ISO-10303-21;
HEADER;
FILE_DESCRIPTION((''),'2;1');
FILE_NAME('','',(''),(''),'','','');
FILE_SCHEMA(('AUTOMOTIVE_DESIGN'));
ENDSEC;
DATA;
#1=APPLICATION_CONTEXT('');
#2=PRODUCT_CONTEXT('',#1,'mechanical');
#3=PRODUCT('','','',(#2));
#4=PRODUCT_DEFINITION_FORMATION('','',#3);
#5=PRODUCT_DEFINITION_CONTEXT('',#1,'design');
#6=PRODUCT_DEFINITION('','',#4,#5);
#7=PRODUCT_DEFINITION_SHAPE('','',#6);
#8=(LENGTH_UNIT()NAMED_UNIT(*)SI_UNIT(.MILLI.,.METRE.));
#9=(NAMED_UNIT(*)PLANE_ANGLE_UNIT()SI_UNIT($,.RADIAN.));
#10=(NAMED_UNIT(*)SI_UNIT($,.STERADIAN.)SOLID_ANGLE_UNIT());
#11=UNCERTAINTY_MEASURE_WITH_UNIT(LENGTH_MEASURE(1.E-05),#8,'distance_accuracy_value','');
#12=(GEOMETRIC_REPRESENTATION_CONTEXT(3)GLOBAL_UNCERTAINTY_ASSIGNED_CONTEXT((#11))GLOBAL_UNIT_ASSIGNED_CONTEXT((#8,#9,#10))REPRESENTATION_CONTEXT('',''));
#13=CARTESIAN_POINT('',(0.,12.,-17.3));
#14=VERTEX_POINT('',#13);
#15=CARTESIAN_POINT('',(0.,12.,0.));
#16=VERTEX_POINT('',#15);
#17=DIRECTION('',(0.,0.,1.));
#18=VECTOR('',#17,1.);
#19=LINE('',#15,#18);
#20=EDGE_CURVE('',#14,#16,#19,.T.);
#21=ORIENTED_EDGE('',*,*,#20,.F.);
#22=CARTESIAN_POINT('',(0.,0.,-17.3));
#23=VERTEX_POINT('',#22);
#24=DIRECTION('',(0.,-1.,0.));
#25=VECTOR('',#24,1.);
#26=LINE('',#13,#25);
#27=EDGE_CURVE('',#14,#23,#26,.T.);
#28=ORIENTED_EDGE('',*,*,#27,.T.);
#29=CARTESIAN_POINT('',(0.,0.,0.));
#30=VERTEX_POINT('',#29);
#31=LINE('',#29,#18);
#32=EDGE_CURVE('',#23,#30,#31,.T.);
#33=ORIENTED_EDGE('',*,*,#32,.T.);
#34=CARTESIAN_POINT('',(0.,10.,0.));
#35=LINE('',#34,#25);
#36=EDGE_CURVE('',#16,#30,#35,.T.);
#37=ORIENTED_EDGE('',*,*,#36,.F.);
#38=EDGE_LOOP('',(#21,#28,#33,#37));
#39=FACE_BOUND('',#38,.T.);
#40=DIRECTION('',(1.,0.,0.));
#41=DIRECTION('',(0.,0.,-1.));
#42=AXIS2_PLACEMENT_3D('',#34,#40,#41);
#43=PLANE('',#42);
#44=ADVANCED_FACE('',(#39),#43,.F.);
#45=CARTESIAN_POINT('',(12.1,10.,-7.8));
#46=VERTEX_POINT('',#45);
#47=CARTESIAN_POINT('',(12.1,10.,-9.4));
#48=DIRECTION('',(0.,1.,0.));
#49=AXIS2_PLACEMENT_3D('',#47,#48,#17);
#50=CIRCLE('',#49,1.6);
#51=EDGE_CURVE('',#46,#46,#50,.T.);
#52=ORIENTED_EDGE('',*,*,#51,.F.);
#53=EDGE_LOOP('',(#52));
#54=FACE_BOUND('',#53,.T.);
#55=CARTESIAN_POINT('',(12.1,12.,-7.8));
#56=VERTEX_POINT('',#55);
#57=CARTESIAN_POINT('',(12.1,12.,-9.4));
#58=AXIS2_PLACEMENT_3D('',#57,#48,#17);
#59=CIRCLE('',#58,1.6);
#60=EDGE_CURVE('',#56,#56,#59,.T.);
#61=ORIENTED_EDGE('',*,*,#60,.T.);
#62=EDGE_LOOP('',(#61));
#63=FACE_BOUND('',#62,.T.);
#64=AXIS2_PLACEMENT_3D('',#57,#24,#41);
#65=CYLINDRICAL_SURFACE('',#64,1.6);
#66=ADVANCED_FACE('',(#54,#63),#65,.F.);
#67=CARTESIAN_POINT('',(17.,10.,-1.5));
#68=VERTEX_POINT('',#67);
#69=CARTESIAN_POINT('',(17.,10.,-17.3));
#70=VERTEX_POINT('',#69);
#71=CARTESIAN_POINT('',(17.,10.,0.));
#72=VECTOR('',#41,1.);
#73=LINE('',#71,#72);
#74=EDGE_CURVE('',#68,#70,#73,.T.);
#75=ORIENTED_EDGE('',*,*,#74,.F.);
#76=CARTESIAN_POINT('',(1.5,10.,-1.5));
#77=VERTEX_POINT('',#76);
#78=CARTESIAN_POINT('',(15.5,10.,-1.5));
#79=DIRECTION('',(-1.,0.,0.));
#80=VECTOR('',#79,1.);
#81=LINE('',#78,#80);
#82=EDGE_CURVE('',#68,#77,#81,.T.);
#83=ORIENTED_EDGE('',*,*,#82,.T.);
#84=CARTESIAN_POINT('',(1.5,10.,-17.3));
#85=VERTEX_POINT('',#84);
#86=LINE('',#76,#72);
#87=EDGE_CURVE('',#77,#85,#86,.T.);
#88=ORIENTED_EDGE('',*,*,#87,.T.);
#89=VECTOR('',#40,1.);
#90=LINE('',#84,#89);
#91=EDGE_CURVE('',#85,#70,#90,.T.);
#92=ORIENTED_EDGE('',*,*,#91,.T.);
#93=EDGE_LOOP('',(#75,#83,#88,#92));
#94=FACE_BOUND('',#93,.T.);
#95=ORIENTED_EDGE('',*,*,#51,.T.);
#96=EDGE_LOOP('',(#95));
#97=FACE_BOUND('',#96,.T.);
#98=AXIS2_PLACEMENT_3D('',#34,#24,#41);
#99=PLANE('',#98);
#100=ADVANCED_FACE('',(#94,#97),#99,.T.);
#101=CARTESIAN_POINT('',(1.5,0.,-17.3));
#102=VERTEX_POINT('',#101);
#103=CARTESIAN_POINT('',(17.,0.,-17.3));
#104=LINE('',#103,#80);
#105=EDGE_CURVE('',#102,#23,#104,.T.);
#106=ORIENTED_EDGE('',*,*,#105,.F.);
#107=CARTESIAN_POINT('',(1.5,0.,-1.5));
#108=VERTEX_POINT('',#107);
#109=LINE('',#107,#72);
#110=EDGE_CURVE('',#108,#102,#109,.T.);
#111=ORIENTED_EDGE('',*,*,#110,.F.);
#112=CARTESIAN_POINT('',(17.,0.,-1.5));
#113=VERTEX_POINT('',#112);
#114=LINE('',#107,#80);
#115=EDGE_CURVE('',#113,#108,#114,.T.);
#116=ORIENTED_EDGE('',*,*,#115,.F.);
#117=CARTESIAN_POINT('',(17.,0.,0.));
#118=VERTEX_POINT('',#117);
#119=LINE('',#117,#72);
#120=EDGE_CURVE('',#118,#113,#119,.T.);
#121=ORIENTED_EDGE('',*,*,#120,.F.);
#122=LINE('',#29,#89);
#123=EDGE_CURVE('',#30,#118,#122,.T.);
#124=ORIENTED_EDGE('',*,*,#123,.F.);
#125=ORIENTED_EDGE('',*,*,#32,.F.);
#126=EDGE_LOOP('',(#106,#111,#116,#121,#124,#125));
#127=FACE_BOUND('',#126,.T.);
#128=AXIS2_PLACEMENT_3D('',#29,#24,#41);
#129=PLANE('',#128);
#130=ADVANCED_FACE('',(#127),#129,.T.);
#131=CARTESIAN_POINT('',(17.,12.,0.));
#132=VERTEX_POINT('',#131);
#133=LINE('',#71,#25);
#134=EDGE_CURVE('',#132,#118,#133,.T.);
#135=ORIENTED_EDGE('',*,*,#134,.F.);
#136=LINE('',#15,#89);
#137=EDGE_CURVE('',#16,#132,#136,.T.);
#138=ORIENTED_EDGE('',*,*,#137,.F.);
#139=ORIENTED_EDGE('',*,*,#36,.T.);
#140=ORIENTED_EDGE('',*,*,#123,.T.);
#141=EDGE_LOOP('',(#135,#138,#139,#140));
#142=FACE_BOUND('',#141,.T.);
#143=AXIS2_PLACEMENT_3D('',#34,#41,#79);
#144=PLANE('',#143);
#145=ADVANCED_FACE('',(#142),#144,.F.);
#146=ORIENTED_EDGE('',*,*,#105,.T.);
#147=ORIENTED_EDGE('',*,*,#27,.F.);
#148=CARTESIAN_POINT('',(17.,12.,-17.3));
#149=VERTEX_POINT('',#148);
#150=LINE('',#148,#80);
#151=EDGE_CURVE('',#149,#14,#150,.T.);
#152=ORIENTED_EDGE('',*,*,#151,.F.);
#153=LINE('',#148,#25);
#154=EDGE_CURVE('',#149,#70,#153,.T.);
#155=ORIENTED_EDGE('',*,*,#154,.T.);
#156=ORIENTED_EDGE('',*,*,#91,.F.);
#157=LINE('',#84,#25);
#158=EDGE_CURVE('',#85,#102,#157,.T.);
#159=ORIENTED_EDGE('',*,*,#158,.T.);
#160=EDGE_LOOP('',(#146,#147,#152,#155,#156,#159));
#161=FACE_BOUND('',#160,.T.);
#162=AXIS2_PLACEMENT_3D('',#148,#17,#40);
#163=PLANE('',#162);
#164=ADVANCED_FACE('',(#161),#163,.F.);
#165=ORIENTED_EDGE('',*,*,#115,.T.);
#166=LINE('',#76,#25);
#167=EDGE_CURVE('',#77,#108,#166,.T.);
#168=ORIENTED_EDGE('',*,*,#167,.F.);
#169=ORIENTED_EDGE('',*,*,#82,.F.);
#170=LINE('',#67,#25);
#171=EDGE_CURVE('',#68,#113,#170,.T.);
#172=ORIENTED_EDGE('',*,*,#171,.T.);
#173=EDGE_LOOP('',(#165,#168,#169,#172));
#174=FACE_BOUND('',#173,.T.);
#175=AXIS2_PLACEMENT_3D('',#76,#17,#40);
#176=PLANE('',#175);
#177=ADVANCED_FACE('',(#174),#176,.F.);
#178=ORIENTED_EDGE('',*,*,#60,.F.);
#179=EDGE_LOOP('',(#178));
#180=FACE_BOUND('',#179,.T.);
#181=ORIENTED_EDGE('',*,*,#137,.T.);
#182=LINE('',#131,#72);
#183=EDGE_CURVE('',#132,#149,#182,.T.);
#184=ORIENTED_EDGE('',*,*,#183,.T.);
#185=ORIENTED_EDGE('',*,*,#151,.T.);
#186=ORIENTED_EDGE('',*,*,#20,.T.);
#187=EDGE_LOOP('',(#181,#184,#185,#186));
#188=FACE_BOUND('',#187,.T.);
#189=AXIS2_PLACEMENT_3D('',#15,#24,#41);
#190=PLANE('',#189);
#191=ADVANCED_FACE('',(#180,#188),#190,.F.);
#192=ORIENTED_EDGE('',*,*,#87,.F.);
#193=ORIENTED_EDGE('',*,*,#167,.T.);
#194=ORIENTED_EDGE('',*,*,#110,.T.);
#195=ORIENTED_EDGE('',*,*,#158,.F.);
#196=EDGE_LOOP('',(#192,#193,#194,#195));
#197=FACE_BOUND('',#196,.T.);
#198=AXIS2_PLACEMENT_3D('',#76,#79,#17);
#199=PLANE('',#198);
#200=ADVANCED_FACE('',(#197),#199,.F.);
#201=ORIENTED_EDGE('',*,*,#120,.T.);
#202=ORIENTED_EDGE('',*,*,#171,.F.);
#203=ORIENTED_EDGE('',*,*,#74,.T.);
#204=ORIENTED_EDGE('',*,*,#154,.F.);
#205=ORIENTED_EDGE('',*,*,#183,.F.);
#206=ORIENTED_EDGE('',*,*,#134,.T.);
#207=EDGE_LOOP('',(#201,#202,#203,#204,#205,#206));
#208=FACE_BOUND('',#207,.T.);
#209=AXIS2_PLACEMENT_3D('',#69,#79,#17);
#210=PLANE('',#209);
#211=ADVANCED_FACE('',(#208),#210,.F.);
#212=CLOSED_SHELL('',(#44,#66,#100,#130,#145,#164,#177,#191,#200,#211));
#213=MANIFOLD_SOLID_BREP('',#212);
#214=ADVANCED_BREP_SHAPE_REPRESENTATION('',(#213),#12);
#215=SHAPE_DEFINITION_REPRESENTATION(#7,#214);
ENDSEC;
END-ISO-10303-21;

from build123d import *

# Parameters (mm, degrees)
EXTRUDE_1_DEPTH     = 10
SKETCH_2_W          = 17
SKETCH_2_H          = 18.8
SKETCH_2_R          = 1.6
EXTRUDE_2_DEPTH     = 2
SKETCH_4_W          = 17
SKETCH_4_H          = 1.5
CUT_EXTRUDE_1_DEPTH = 29.04353758


with BuildPart() as part:
    # 草图1 → 凸台-拉伸1 (new body)
    with BuildSketch(Plane(origin=(0, 0, 0), x_dir=(1, 0, 0), z_dir=(0, 1, 0))):
        Polygon((1.5, 1.5), (1.5, 17.3), (15.5, 17.3), (17, 17.3), (17, 18.8), (0, 18.8), (0, 0), (17, 0), (17, 1.5), (15.5, 1.5), align=None)
    extrude(amount=EXTRUDE_1_DEPTH)

    # 草图2 → 凸台-拉伸2 (add)
    with BuildSketch(Plane(origin=(0, 10, 0), x_dir=(1, 0, 0), z_dir=(0, 1, 0))):
        with Locations((8.5, 9.4)):
            Rectangle(SKETCH_2_W, SKETCH_2_H)
        with Locations(Location((12.1, 9.4, 0), (0, 0, 270))):
            Circle(SKETCH_2_R, mode=Mode.SUBTRACT)
    extrude(amount=EXTRUDE_2_DEPTH)

    # 草图4 → 切除-拉伸1 (cut, through all)
    with BuildSketch(Plane.XZ):
        with Locations((8.5, -18.05)):
            Rectangle(SKETCH_4_W, SKETCH_4_H)
    extrude(amount=-CUT_EXTRUDE_1_DEPTH, mode=Mode.SUBTRACT)


solid = part.part
